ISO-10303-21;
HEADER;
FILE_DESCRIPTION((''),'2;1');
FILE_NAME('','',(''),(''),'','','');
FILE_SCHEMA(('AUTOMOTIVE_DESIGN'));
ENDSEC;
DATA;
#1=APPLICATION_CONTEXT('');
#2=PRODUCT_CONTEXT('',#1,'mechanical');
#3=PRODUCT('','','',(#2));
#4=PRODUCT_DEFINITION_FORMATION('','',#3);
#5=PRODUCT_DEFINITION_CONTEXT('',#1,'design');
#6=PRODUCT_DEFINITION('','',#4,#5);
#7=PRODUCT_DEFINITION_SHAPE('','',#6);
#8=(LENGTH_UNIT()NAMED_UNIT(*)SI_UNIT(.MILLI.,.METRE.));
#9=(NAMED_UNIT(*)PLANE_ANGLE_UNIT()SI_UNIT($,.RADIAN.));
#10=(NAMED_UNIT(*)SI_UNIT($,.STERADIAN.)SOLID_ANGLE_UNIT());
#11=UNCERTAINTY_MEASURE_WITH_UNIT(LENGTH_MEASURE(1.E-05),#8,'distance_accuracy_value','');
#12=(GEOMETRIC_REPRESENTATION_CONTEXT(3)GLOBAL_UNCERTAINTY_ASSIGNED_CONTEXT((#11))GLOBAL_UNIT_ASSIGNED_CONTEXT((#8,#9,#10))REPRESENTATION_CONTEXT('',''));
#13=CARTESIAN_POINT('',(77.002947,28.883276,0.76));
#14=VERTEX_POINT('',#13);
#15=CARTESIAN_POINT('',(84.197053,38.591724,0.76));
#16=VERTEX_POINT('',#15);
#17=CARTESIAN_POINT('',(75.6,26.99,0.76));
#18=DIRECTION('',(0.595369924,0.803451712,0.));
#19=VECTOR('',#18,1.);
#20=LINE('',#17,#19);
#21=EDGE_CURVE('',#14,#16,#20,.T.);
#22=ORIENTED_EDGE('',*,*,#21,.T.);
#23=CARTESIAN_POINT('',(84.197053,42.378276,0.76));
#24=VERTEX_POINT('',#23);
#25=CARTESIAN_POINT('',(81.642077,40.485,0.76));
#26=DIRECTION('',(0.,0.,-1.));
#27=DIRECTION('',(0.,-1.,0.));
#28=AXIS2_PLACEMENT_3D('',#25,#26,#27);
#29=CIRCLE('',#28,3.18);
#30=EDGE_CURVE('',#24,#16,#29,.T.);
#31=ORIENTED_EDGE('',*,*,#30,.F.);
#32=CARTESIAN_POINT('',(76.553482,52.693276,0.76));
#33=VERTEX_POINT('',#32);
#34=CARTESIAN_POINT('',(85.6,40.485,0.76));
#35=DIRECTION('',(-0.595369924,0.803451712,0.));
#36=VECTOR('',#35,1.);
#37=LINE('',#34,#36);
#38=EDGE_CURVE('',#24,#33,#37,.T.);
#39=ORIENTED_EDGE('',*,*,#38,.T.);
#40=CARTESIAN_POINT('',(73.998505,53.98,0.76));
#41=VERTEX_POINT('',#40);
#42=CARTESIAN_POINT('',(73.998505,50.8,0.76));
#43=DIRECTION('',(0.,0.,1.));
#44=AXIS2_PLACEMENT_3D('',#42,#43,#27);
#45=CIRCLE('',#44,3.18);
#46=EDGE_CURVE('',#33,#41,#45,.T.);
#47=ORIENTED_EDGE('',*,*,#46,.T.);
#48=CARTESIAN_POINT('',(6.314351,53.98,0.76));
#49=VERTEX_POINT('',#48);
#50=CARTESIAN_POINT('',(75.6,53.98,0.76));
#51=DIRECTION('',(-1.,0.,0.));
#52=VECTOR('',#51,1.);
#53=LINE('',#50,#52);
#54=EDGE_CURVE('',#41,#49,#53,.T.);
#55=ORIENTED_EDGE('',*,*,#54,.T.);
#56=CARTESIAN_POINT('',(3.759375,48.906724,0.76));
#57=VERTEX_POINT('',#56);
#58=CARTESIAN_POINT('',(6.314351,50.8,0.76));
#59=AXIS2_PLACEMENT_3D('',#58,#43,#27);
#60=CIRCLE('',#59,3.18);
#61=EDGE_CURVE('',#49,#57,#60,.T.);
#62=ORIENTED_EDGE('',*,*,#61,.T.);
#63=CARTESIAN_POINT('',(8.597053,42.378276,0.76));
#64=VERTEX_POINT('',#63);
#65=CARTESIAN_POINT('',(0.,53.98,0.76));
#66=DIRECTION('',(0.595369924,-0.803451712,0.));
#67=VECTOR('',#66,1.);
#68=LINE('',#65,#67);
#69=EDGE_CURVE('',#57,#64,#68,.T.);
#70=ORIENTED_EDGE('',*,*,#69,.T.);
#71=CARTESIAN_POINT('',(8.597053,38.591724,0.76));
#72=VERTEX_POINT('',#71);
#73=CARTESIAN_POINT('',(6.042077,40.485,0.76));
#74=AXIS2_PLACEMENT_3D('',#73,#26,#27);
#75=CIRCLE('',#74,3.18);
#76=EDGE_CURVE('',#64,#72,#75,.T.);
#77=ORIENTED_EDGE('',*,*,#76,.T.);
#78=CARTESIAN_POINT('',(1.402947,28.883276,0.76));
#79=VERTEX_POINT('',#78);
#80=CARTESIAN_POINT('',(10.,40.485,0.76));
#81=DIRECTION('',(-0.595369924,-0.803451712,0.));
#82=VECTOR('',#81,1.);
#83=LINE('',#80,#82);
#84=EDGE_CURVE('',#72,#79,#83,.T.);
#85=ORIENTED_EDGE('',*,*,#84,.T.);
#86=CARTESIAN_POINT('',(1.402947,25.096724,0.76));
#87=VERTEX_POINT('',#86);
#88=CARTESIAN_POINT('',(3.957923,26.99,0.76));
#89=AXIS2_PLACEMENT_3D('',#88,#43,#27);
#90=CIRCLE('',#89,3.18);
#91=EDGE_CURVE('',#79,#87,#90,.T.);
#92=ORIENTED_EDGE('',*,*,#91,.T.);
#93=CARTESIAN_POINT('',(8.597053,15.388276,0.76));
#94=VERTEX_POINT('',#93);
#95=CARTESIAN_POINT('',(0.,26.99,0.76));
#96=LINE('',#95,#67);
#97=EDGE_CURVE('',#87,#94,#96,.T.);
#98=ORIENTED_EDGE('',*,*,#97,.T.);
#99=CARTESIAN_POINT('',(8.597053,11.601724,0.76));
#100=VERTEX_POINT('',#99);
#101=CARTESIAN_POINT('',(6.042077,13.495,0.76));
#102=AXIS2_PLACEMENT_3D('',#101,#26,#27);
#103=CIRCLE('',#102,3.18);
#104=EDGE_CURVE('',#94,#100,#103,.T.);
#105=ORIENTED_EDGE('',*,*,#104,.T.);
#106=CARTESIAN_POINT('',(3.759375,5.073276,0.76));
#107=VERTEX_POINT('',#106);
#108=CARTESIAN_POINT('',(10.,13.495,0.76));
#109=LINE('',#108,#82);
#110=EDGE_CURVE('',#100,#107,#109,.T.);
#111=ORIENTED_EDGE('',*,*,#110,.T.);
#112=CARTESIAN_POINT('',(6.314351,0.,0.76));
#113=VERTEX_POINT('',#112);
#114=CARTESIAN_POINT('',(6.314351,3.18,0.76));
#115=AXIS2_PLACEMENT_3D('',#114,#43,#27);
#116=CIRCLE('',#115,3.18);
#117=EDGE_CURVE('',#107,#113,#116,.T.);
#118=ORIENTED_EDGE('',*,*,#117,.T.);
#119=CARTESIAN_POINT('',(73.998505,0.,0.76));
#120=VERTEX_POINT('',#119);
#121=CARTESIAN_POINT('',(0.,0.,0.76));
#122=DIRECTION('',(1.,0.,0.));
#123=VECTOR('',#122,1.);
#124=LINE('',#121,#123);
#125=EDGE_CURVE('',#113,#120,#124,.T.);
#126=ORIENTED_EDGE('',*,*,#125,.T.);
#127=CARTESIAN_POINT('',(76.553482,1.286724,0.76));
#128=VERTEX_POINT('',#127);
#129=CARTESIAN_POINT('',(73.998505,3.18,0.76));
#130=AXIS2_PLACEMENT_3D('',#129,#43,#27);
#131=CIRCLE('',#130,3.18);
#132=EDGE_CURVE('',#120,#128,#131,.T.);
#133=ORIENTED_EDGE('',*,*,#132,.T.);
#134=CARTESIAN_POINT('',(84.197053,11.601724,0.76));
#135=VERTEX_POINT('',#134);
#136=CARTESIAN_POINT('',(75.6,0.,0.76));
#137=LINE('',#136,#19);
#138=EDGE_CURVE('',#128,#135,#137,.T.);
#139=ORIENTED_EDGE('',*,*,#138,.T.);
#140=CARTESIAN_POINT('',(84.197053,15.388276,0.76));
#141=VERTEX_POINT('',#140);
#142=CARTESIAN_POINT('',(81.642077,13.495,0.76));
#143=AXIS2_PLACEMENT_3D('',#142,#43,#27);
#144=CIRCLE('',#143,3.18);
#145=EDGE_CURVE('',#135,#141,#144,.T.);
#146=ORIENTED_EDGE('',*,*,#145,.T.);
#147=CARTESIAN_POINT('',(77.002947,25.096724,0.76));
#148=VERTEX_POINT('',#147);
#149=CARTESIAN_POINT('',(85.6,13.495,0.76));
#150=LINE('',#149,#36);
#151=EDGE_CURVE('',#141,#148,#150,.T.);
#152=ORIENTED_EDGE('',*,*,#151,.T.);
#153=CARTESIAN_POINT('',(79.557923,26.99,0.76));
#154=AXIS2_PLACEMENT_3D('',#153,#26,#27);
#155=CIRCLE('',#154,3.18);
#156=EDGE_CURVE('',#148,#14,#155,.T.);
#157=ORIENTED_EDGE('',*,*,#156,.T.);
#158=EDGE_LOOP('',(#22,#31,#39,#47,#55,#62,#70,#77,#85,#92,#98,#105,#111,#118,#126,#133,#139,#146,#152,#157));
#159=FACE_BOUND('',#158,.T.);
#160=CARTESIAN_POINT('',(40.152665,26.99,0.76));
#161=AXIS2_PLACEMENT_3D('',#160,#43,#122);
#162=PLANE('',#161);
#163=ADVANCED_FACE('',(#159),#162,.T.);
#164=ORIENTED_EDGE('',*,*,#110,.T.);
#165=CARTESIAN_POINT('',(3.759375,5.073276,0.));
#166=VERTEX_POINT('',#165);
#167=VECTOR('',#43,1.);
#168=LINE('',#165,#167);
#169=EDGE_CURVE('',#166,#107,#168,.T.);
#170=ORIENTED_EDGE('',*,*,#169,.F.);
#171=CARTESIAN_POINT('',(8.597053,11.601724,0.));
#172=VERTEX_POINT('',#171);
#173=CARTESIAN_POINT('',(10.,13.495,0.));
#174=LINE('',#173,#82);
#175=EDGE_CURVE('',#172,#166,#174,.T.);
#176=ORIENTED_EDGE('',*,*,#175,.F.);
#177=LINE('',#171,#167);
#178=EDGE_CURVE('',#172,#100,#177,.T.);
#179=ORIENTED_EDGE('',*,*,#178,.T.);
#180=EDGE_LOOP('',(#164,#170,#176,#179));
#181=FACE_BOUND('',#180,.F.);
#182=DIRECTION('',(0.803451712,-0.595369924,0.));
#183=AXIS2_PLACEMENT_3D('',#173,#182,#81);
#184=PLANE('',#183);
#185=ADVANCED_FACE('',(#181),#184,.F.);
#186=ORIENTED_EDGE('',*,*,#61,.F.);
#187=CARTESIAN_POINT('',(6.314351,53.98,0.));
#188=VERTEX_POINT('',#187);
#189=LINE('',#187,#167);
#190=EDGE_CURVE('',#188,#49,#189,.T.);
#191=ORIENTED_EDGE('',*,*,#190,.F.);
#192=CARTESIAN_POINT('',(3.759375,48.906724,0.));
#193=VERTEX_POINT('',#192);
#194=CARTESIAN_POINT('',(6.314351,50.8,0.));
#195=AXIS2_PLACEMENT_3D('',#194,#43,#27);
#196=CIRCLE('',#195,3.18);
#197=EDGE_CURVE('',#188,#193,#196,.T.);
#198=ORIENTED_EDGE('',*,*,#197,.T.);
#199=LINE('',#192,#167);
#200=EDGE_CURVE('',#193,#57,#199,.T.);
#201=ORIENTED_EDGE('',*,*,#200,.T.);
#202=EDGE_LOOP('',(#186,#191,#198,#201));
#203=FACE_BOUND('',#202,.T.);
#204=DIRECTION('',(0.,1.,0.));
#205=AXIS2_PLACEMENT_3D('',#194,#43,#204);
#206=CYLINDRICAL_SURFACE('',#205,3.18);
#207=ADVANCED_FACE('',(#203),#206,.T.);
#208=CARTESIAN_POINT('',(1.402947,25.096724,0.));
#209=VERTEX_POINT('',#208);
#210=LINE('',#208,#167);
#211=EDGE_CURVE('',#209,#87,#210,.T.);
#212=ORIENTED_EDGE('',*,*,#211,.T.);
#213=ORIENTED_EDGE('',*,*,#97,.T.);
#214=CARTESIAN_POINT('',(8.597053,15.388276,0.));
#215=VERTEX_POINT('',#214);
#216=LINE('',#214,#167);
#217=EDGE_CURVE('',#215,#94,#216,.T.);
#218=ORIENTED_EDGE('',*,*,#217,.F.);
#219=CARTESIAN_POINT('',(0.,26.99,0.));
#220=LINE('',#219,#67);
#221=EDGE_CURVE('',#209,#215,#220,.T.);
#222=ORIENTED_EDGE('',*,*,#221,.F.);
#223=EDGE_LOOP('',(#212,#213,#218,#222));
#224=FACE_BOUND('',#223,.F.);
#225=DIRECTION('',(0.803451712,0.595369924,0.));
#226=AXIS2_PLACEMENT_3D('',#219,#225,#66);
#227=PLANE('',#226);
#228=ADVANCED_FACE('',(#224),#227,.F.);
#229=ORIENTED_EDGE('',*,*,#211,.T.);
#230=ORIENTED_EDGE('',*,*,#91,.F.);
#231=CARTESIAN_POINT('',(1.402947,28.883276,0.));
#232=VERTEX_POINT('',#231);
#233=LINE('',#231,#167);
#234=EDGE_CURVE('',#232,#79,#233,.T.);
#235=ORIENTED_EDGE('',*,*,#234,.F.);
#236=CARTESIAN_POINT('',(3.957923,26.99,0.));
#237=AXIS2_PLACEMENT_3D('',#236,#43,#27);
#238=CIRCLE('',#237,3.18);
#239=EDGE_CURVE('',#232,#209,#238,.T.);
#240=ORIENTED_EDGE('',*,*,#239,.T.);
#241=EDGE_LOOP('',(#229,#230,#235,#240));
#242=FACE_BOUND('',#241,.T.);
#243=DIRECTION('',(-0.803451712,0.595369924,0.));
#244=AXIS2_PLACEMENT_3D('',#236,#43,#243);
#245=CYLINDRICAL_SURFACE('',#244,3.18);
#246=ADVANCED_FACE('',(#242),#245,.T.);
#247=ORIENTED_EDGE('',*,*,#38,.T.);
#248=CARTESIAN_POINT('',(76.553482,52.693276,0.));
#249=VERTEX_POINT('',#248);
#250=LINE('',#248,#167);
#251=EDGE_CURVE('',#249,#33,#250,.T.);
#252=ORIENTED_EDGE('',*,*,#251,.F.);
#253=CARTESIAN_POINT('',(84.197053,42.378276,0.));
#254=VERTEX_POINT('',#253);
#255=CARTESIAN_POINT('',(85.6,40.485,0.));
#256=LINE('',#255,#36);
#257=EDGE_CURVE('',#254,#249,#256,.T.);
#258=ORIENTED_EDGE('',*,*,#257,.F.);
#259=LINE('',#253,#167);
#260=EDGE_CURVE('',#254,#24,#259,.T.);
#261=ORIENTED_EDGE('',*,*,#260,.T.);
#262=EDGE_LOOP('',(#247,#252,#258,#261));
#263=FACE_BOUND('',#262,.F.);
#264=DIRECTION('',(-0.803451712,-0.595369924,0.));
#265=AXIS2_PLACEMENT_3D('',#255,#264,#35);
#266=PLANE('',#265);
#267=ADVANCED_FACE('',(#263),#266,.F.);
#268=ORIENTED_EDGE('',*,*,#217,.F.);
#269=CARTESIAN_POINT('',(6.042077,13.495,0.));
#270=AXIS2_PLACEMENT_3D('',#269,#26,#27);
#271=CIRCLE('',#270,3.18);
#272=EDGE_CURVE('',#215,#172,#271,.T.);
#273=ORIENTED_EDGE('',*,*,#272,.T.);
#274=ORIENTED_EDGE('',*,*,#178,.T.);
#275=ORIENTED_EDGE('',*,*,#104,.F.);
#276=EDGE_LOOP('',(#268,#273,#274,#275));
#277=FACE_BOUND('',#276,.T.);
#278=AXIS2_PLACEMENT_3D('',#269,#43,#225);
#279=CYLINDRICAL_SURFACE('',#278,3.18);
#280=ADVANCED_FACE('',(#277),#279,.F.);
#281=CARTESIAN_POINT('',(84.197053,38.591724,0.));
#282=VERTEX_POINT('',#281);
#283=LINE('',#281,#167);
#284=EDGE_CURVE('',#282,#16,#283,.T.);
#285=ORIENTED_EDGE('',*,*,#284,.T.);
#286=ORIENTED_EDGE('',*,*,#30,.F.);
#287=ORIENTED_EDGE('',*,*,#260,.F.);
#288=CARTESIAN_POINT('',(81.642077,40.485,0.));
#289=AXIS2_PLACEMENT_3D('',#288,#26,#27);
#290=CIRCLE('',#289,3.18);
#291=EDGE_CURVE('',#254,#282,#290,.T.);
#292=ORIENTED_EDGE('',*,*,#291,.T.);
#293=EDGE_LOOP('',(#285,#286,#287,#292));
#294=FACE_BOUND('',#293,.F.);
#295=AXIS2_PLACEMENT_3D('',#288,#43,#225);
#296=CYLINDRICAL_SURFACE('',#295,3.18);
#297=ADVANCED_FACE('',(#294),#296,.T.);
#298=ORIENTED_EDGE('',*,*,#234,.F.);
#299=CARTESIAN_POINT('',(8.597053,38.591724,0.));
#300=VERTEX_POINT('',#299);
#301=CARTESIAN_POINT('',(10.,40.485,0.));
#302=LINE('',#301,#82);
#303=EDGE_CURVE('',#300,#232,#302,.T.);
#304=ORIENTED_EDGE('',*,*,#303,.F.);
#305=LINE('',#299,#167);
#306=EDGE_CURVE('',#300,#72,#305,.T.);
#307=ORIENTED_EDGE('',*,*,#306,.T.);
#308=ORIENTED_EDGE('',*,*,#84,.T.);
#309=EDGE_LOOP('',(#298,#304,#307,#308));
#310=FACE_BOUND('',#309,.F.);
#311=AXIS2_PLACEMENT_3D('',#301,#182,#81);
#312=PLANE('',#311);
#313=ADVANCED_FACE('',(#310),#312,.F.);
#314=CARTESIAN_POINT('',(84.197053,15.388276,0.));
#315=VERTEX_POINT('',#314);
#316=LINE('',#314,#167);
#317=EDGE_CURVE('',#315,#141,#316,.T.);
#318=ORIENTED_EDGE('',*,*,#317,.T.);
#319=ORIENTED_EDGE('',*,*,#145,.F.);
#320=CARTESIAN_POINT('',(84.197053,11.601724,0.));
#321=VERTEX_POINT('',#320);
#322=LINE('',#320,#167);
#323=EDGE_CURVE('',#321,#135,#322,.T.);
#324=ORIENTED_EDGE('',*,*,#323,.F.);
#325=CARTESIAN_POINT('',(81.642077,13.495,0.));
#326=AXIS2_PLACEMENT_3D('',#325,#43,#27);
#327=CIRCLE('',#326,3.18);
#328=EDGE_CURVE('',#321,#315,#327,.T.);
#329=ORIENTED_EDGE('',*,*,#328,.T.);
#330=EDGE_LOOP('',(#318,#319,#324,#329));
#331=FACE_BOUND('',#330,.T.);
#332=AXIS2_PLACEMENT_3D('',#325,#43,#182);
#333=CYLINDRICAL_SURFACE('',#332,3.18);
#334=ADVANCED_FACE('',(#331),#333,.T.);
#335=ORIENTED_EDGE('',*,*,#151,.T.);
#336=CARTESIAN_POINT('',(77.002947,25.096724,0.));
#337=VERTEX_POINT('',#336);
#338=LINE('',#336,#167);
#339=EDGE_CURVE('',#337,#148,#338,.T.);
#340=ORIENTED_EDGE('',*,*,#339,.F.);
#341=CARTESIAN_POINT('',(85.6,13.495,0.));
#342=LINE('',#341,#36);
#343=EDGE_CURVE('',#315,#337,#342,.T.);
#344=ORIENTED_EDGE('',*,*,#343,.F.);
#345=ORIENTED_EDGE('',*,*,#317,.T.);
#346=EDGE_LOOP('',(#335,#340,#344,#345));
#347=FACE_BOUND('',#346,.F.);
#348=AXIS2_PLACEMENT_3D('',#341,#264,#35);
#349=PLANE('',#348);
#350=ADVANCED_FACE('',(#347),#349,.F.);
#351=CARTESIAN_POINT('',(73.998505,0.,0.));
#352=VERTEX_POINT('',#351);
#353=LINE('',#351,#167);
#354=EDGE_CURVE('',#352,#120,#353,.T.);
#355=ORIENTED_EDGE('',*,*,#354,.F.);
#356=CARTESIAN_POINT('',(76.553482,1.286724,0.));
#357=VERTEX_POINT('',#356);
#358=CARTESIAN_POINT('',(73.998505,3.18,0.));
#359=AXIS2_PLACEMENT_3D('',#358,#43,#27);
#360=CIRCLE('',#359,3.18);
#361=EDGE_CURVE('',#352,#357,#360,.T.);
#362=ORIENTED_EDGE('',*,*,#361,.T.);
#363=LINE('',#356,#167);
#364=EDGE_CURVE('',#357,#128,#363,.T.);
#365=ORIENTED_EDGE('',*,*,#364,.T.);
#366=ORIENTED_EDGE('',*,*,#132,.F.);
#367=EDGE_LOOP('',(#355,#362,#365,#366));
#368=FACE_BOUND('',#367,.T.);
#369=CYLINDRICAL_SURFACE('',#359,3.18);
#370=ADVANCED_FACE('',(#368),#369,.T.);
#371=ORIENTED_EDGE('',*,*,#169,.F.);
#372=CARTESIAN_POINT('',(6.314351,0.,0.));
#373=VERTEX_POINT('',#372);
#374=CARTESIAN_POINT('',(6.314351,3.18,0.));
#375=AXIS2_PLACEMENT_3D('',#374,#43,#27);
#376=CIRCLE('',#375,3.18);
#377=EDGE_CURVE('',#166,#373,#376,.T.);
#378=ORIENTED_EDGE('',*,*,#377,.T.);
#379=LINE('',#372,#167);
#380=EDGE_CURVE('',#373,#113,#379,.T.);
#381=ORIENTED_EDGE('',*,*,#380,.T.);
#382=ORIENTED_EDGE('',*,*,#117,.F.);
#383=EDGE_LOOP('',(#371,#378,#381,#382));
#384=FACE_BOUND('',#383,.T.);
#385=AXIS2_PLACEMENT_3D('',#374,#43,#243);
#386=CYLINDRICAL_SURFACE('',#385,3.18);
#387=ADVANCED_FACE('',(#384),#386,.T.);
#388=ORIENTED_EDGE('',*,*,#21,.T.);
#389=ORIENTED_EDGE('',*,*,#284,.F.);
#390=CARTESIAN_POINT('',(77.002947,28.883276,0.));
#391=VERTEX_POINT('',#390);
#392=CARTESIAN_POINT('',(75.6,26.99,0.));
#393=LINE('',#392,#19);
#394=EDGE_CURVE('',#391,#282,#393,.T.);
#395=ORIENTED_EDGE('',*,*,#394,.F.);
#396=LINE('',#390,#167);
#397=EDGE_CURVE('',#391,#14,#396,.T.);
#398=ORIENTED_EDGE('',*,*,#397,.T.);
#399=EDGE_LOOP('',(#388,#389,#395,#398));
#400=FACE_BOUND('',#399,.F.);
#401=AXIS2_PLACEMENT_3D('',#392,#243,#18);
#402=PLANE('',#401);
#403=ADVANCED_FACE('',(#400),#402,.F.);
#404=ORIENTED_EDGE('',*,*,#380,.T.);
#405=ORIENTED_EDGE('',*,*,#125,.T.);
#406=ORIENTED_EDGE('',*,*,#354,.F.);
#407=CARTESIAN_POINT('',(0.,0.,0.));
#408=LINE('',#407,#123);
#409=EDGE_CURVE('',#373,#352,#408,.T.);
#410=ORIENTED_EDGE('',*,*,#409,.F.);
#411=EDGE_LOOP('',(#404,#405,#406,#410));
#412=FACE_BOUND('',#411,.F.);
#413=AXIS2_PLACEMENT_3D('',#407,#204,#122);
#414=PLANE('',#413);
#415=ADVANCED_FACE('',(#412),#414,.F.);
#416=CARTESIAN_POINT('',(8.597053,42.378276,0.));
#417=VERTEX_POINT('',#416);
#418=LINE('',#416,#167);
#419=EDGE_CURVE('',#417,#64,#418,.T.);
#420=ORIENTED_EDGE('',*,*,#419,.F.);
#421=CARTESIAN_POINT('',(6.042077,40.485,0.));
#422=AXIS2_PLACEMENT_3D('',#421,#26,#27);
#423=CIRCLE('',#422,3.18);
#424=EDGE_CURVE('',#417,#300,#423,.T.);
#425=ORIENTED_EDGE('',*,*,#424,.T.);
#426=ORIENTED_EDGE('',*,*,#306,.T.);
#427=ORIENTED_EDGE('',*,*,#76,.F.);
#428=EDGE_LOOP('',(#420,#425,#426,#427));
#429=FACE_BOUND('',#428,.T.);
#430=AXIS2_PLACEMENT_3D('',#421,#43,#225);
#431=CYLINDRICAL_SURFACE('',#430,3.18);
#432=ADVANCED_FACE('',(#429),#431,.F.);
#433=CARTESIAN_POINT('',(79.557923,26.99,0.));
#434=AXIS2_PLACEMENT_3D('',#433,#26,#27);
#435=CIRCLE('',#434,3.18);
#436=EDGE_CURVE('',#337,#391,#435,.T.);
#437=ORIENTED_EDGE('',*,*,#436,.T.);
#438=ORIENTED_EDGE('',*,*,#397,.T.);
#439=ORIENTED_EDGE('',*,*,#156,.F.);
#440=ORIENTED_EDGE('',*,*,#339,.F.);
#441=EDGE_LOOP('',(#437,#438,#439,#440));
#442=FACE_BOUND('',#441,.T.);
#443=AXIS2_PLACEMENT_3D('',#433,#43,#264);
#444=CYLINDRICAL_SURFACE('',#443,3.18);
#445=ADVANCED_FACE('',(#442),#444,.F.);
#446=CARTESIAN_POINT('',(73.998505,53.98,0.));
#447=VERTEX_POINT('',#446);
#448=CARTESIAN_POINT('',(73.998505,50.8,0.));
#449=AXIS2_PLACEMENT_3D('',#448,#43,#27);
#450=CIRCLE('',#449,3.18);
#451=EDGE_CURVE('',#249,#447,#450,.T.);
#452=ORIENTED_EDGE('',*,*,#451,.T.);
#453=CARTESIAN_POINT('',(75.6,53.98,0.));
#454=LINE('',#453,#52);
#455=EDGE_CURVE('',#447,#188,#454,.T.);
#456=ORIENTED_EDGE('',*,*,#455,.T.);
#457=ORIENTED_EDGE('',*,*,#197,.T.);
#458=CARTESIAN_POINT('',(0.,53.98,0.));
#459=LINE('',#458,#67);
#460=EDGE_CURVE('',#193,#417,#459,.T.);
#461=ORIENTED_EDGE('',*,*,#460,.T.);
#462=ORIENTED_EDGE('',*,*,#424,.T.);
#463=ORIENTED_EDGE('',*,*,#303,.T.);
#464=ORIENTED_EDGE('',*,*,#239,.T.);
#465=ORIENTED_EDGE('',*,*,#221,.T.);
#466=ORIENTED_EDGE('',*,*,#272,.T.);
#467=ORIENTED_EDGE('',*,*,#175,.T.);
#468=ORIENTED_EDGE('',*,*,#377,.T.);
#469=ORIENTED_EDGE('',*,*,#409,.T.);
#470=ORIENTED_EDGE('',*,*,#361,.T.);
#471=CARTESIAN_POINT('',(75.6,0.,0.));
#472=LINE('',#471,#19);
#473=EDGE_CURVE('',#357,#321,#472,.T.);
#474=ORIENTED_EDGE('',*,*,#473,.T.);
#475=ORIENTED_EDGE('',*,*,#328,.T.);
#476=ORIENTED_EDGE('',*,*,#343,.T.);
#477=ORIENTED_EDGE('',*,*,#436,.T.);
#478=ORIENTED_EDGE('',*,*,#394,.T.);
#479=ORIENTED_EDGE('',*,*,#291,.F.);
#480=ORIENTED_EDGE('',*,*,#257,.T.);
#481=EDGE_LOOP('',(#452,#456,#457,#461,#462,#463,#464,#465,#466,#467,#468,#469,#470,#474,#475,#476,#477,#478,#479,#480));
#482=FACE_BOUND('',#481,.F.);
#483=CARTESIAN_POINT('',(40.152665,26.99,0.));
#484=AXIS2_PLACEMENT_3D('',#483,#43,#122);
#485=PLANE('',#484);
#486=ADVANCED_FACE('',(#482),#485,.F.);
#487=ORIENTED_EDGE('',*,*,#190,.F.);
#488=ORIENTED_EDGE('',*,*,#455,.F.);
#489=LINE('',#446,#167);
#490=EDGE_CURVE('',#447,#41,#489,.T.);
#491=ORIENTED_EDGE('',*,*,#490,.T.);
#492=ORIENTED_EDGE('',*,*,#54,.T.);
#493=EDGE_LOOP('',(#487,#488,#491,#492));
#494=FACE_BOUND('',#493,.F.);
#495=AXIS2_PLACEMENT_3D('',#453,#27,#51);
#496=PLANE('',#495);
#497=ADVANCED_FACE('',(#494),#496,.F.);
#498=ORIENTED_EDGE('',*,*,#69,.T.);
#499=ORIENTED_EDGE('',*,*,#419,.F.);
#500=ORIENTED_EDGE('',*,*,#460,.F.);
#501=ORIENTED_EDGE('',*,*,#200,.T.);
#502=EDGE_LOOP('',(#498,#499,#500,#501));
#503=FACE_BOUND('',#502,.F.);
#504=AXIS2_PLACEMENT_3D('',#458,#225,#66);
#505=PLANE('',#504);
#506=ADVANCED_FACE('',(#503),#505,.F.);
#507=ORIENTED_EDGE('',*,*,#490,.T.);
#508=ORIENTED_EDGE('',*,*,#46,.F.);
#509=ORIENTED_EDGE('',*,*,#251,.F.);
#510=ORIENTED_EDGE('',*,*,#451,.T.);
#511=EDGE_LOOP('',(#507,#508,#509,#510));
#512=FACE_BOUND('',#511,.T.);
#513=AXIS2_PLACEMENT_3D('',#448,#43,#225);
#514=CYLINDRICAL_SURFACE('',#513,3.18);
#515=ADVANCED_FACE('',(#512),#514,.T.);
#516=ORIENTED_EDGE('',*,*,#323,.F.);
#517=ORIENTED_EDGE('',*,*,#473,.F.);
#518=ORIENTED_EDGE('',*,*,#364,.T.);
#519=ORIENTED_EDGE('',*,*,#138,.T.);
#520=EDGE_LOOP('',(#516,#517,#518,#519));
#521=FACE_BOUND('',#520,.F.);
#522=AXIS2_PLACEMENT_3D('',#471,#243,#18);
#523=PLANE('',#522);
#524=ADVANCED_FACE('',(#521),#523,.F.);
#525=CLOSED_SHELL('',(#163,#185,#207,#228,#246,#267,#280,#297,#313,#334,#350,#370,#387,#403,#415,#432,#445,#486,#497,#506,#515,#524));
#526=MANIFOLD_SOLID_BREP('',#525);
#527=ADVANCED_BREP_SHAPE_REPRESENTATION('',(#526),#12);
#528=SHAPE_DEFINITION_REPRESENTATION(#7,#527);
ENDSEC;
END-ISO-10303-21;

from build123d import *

# Parameters (mm, degrees)
F1_DEPTH = 0.76
F2_R     = 3.18


with BuildPart() as f1:
    # F0 (on Top) → F1 (new body)
    with BuildSketch(Plane.XY):
        Polygon((85.6, 40.485), (75.6, 53.98), (0, 53.98), (10, 40.485), (0, 26.99), (10, 13.495), (0, 0), (75.6, 0), (85.6, 13.495), (75.6, 26.99), align=None)
    extrude(amount=F1_DEPTH)

    # F2
    f2_edges = [f1.edges().sort_by_distance(p)[0] for p in [
        (0, 53.98, 0.38),
        (10, 40.485, 0.38),
        (0, 26.99, 0.38),
        (10, 13.495, 0.38),
        (0, 0, 0.38),
        (75.6, 53.98, 0.38),
        (85.6, 40.485, 0.38),
        (75.6, 26.99, 0.38),
        (85.6, 13.495, 0.38),
        (75.6, 0, 0.38),
    ]]
    fillet(f2_edges, radius=F2_R)


solid = f1.part
